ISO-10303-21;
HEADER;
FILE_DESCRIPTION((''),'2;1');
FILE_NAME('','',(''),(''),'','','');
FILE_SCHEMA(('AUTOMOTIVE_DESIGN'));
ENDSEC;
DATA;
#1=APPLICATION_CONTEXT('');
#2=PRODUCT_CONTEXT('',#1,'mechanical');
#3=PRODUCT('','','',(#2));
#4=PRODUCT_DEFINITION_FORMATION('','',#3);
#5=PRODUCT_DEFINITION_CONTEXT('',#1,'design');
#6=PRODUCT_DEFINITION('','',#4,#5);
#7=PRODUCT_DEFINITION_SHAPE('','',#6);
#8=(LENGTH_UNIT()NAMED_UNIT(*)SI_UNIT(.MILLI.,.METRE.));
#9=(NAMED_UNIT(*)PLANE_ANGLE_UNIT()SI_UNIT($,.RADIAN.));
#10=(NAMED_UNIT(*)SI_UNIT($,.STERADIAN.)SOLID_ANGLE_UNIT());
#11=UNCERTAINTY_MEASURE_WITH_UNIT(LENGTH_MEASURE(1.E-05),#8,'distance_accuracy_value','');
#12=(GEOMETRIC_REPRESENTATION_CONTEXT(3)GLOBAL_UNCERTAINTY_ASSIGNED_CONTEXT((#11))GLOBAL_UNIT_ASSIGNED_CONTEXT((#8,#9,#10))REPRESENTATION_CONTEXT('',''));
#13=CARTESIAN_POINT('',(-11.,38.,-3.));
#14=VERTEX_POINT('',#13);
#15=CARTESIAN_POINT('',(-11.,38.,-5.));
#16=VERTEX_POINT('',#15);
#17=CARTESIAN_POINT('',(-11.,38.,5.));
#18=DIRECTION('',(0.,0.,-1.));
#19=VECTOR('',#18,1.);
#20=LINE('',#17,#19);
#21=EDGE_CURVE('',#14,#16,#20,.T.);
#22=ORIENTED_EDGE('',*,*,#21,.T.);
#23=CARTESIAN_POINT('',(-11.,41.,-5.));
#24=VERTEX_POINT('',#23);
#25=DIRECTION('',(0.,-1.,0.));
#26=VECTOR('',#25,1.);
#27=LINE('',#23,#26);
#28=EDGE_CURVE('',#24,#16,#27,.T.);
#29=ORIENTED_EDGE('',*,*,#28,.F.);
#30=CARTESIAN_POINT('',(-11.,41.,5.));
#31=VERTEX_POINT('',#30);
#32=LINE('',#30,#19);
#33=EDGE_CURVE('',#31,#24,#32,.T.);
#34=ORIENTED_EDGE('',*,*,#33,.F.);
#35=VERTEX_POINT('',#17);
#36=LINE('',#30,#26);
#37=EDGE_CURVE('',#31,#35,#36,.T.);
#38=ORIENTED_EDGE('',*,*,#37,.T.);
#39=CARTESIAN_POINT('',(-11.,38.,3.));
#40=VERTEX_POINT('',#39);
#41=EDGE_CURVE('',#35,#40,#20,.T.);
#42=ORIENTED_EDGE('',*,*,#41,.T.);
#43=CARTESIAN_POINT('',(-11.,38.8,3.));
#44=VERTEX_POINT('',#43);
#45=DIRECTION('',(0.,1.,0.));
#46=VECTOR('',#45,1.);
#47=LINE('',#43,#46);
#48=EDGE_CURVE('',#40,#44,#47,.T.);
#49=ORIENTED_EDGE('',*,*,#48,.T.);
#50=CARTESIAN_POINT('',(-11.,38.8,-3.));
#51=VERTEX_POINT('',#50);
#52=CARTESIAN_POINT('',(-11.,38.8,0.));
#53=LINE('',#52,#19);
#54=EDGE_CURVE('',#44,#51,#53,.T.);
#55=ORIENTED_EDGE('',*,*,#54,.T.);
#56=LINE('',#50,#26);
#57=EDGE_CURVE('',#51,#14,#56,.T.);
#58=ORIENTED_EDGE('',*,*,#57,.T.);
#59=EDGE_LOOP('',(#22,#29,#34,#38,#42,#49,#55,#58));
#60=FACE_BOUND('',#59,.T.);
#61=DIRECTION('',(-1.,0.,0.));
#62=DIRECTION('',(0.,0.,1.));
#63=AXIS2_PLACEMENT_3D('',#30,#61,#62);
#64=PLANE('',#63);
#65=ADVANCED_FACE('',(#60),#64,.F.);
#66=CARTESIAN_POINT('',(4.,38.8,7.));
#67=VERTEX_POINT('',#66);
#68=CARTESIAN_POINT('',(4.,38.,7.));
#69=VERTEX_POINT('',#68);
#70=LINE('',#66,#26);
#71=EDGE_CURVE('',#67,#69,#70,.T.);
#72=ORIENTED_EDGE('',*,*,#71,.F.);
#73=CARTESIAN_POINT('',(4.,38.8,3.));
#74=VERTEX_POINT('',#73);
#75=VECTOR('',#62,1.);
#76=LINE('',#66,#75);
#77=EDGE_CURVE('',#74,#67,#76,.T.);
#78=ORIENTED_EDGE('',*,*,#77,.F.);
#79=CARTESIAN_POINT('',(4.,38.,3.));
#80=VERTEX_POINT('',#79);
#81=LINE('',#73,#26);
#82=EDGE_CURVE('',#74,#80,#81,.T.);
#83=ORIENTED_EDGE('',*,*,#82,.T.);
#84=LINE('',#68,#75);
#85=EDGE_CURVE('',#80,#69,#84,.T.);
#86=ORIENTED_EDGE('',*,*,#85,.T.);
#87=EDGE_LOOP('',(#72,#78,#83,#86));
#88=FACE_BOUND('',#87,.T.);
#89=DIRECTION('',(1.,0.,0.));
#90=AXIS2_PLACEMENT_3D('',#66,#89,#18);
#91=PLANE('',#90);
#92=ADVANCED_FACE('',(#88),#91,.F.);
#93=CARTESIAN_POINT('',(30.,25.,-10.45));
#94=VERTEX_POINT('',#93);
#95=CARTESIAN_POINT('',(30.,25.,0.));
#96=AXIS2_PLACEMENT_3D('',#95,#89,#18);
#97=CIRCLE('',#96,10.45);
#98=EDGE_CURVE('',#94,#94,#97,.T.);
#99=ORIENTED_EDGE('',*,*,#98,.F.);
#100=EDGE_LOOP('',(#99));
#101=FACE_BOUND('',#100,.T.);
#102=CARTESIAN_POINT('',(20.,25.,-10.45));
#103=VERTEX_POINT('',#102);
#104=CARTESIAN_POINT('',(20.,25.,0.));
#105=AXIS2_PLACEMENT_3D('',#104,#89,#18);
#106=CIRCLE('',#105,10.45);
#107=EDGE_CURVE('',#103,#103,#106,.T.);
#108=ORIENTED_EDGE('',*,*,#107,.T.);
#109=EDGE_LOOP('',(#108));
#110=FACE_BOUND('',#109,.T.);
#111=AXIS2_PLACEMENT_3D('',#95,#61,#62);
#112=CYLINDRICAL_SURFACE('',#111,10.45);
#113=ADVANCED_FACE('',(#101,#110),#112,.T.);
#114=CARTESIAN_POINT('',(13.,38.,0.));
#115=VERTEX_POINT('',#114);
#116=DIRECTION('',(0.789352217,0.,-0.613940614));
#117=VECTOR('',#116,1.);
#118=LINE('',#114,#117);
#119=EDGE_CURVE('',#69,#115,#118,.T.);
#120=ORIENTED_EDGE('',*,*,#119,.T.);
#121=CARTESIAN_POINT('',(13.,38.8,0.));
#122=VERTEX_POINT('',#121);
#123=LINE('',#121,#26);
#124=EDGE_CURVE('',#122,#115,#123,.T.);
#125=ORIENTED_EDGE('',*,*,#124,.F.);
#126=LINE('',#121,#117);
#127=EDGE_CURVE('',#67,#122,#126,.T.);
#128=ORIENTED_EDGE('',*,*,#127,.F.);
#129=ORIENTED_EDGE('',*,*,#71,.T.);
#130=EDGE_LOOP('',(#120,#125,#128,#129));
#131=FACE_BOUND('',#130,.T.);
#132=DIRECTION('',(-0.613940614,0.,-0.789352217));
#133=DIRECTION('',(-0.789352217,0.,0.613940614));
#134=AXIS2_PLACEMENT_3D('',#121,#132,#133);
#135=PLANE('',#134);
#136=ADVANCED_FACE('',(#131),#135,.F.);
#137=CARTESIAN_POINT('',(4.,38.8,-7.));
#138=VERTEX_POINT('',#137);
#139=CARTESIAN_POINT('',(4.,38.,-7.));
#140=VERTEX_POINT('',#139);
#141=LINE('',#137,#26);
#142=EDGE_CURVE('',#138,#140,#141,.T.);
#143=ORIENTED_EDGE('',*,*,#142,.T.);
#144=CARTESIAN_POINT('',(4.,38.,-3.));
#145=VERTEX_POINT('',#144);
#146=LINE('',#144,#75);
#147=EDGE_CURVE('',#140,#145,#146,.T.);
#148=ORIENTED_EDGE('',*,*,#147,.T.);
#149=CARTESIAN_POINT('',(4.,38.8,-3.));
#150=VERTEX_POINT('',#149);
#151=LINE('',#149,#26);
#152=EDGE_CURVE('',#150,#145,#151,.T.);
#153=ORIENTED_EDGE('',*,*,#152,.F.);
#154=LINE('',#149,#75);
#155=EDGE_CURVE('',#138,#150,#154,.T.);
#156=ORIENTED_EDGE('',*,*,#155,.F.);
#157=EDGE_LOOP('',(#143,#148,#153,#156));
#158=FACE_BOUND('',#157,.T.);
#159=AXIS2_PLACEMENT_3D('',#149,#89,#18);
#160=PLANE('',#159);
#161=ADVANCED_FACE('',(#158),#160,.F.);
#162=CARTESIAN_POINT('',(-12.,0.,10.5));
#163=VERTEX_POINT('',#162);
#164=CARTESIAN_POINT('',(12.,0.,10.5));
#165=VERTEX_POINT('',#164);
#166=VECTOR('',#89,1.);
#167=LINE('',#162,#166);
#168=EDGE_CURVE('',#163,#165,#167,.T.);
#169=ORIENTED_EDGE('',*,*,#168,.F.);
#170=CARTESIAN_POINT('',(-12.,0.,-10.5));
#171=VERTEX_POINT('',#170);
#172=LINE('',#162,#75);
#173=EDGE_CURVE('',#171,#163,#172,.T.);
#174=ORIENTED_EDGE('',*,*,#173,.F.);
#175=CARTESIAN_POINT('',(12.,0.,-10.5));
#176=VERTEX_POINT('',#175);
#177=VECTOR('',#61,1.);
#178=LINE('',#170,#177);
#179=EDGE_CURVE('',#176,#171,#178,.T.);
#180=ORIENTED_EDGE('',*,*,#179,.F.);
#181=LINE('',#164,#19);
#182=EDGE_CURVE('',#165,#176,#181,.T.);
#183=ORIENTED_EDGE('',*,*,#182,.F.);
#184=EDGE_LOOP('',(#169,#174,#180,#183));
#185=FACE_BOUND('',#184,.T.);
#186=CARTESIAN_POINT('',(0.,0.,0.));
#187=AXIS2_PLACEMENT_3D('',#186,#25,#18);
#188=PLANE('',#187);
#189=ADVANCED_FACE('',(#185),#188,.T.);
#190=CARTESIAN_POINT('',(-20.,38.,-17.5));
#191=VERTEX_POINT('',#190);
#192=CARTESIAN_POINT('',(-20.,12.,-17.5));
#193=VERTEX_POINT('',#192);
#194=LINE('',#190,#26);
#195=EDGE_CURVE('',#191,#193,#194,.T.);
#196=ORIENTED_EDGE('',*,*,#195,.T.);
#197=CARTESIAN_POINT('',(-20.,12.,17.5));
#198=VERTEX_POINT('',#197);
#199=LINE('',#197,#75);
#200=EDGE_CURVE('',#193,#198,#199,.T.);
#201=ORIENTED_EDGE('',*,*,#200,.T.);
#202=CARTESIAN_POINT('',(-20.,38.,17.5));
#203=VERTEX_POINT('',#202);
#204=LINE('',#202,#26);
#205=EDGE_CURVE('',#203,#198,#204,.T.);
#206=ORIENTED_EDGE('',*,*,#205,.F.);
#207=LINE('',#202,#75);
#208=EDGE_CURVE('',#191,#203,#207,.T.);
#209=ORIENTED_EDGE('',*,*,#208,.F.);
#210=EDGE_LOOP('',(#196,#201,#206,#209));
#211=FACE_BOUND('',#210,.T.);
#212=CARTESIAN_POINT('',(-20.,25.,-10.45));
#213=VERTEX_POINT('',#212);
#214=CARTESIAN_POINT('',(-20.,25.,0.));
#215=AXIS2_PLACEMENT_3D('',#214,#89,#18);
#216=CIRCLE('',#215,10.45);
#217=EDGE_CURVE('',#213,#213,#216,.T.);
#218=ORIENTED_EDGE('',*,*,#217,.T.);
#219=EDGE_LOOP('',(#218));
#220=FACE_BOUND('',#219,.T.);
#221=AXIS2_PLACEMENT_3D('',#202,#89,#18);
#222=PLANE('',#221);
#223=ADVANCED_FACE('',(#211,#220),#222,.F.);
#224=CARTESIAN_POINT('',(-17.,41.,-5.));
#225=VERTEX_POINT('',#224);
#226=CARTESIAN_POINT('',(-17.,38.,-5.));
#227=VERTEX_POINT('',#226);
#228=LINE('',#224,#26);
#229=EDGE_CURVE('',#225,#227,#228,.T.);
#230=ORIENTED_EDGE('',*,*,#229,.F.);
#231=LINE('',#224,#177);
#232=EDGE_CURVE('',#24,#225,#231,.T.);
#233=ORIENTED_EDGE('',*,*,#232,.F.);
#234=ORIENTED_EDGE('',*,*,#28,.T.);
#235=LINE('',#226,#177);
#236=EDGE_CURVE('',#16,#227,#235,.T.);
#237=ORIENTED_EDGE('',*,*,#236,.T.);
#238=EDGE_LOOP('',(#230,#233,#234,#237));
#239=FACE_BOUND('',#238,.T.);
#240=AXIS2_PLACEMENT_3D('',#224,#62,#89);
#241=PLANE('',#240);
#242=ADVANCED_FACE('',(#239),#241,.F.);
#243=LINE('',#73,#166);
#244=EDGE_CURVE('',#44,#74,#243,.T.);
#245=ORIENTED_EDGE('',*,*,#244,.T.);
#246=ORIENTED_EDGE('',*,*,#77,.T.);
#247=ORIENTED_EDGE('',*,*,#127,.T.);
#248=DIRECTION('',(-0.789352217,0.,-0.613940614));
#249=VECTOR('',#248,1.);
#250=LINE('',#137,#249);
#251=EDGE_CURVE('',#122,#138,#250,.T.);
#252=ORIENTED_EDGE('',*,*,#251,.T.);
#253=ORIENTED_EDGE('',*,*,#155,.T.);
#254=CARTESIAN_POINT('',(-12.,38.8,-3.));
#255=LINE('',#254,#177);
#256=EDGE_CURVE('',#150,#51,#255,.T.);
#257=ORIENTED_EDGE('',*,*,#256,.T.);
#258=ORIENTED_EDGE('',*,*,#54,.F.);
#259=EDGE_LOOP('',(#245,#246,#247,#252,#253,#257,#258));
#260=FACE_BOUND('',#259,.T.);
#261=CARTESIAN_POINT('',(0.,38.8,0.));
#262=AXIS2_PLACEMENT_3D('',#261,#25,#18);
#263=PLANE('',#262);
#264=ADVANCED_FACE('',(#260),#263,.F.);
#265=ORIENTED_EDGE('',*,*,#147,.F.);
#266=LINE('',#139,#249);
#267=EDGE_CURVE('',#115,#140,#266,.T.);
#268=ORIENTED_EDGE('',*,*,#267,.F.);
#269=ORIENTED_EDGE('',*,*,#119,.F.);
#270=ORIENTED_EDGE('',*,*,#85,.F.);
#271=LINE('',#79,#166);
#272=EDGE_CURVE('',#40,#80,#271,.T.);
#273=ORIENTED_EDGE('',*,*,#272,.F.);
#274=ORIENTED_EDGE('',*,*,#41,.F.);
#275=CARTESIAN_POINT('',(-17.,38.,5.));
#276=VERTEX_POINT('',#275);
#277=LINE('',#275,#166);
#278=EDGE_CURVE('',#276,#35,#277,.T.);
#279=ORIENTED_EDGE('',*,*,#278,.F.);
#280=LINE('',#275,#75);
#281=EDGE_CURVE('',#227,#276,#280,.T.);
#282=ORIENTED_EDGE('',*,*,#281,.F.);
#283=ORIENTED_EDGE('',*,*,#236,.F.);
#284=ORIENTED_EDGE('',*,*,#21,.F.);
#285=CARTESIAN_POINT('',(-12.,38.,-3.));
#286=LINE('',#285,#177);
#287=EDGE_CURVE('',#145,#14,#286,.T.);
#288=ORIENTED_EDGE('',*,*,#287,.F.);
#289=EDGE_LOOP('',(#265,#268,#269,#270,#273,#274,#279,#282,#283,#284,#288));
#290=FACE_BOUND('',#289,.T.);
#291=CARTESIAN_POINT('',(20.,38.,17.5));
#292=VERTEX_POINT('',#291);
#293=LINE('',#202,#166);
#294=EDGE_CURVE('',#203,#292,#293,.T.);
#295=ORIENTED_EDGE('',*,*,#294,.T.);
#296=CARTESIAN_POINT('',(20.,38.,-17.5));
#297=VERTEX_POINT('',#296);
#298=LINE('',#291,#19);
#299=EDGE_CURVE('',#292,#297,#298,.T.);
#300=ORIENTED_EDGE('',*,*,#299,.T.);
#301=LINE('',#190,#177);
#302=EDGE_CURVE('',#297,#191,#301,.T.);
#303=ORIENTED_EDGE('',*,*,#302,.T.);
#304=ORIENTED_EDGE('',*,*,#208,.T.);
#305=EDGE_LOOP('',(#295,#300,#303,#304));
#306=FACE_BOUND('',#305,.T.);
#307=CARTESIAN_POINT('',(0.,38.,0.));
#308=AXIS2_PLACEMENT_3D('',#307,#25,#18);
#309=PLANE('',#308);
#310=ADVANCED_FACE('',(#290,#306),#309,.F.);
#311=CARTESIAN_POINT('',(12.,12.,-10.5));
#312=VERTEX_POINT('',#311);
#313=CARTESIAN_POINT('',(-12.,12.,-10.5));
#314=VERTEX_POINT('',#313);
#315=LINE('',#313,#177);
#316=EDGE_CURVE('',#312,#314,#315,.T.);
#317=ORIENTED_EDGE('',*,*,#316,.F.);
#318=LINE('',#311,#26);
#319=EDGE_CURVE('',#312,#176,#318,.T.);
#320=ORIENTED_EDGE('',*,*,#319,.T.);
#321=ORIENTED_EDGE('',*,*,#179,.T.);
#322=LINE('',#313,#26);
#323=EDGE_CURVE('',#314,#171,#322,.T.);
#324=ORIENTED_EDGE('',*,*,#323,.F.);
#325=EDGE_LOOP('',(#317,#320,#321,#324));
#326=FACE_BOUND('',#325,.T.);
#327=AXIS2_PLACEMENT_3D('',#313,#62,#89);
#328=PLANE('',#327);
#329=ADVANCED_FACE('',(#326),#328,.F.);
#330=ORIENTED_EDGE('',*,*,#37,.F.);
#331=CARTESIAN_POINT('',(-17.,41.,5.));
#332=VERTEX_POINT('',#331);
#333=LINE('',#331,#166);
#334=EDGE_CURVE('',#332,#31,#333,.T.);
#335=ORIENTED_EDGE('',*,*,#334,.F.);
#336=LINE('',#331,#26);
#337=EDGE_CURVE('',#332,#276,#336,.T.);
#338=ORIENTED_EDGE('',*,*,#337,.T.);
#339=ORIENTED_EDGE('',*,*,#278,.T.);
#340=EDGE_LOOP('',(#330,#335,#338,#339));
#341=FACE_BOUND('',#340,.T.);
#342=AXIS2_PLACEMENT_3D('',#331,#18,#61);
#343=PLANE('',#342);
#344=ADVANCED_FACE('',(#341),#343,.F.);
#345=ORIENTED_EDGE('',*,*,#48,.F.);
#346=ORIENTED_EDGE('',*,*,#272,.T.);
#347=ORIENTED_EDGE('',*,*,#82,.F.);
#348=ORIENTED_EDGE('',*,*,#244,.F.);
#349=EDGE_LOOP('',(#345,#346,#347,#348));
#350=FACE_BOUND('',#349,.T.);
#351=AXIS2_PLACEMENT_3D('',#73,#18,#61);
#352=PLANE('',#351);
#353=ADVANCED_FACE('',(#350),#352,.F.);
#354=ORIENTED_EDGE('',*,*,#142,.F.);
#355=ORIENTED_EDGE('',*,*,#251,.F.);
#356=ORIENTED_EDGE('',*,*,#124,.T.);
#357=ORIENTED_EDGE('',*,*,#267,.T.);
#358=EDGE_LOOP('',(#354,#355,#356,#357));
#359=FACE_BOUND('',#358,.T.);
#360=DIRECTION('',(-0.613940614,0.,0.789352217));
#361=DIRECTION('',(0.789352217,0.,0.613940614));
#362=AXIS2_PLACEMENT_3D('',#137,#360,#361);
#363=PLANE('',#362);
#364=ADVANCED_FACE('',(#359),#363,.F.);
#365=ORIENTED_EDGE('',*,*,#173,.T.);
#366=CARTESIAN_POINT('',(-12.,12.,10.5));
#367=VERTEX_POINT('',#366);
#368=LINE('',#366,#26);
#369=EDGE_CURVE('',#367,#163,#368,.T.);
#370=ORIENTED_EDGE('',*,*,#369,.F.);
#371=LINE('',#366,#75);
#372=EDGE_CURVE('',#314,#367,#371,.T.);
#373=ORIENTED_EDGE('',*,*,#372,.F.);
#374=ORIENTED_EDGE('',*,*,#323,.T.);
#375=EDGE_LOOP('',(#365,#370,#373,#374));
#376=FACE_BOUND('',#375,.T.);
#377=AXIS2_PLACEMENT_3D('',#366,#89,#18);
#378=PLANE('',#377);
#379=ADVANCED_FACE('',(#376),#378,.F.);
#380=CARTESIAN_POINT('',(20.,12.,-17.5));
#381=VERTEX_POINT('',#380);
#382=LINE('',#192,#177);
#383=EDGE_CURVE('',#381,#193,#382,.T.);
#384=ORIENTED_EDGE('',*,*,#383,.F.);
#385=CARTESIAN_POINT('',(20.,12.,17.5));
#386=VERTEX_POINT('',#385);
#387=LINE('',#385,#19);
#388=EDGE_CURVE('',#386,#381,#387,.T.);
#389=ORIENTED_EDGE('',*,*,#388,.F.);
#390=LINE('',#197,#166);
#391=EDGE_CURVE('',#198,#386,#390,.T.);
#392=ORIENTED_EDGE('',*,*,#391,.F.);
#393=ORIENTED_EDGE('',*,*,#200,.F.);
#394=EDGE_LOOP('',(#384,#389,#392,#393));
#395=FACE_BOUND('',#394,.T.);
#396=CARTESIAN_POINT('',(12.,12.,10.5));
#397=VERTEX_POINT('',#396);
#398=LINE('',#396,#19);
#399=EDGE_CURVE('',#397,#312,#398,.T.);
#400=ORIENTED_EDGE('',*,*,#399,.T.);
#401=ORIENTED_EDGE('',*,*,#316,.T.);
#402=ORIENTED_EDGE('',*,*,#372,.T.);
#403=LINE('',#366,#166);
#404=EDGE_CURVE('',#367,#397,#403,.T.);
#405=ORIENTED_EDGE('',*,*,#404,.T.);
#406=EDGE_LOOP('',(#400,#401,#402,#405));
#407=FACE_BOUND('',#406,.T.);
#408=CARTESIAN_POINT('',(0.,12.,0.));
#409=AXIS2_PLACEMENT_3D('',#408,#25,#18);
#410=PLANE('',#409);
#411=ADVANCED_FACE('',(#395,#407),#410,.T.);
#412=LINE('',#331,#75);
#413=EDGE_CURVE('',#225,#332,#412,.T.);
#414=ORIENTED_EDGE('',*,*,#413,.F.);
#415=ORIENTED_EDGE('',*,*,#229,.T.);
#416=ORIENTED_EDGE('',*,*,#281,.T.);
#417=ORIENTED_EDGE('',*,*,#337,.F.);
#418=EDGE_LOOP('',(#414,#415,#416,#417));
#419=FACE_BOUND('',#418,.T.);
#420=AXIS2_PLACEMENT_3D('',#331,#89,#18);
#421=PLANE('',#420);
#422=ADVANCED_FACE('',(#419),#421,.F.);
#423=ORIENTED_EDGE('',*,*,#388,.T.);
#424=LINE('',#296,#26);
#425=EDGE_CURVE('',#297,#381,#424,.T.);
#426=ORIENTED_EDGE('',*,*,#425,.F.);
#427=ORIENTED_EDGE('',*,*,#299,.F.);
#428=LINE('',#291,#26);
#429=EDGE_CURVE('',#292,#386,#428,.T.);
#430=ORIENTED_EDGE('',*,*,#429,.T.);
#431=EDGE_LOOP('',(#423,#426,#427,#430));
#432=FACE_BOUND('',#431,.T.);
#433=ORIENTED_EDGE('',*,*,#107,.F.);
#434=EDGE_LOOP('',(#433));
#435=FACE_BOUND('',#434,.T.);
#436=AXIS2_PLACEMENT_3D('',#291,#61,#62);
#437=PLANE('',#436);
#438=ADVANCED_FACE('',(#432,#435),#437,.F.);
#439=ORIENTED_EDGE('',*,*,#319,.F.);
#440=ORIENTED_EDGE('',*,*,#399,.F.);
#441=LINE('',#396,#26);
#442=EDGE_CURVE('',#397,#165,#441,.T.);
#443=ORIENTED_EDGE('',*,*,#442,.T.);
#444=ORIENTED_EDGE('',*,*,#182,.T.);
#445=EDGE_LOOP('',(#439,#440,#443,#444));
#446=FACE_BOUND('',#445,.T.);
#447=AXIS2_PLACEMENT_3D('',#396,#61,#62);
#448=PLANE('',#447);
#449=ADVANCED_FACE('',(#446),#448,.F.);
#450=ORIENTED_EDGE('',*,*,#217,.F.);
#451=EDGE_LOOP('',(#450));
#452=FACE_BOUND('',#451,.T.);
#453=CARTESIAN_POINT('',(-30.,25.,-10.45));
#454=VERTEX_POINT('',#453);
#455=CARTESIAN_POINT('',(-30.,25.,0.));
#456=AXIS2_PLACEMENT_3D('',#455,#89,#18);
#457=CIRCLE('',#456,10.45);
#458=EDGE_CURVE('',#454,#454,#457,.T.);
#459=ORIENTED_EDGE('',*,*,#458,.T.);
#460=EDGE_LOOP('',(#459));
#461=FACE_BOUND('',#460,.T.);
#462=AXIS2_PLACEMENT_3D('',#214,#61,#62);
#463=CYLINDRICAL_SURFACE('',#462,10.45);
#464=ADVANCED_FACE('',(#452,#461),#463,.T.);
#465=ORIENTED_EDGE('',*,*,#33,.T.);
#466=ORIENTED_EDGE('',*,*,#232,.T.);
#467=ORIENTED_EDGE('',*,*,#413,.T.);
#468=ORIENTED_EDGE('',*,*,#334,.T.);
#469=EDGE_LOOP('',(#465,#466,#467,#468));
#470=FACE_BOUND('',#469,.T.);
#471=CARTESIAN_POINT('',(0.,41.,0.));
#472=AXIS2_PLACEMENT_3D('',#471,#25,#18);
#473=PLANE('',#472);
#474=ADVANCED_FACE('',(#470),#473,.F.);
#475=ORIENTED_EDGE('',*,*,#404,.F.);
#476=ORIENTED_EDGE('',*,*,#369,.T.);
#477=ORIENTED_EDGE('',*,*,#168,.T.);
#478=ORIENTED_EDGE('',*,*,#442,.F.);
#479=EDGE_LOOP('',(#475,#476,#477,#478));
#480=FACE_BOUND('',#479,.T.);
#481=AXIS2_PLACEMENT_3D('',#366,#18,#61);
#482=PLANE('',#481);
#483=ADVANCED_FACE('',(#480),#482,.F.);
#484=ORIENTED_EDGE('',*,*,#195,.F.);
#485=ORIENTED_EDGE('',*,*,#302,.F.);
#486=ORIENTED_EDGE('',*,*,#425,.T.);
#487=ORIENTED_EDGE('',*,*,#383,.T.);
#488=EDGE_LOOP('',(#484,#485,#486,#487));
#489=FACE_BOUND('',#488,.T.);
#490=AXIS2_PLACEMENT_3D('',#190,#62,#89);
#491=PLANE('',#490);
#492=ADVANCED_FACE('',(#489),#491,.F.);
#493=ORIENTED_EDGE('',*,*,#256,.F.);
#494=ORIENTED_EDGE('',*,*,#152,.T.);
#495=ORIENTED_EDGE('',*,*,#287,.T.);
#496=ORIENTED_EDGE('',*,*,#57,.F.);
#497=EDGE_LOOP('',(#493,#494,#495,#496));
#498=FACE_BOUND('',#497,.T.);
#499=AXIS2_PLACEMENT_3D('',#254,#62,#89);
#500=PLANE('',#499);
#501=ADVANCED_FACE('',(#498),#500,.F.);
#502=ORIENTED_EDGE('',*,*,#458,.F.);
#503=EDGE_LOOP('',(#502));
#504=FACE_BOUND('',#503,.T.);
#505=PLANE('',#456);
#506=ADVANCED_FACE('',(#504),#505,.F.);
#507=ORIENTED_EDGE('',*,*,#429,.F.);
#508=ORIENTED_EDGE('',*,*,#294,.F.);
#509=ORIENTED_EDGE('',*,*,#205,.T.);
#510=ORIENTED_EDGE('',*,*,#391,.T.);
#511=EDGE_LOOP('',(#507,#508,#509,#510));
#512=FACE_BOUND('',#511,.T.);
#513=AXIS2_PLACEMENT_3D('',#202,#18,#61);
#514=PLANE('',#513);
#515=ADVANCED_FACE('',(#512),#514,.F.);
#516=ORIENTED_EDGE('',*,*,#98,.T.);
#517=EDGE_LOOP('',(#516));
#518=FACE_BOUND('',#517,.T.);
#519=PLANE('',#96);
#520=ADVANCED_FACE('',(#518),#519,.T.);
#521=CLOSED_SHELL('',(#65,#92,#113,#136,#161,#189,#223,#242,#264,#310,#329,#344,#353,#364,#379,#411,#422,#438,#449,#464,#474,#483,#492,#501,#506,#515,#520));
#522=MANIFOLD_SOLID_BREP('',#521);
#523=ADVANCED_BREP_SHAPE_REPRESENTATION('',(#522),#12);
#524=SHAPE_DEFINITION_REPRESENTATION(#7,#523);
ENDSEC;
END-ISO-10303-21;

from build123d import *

# Parameters (mm, degrees)
BODY_START         = 12
SKETCH1_W          = 40
SKETCH1_H          = 35
BODY_DEPTH         = 26
PORT_IN_G12_START  = -30
SKETCH2_R          = 10.45
PORT_IN_G12_DEPTH  = 10
PORT_OUT_G12_START = 20
SKETCH3_R          = 10.45
PORT_OUT_G12_DEPTH = 10
SKETCH4_W          = 24
SKETCH4_H          = 21
FEET_DEPTH         = 12
FLOW_ARROW_START   = 38
FLOW_ARROW_DEPTH   = 0.8
WIRE_EXIT_START    = 38
SKETCH6_W          = 6
SKETCH6_H          = 10
WIRE_EXIT_DEPTH    = 3


with BuildPart() as part:
    # Sketch1 → Body (new body)
    with BuildSketch(Plane(origin=(0, 0, 0), x_dir=(1, 0, 0), z_dir=(0, 1, 0)).offset(BODY_START)):
        Rectangle(SKETCH1_W, SKETCH1_H)
    extrude(amount=BODY_DEPTH)

    # Sketch2 → Port_In_G12 (add)
    with BuildSketch(Plane(origin=(0, 0, 0), x_dir=(0, 0, -1), z_dir=(1, 0, 0)).offset(PORT_IN_G12_START)):
        with Locations((0, 25)):
            Circle(SKETCH2_R)
    extrude(amount=PORT_IN_G12_DEPTH)

    # Sketch3 → Port_Out_G12 (add)
    with BuildSketch(Plane(origin=(0, 0, 0), x_dir=(0, 0, -1), z_dir=(1, 0, 0)).offset(PORT_OUT_G12_START)):
        with Locations((0, 25)):
            Circle(SKETCH3_R)
    extrude(amount=PORT_OUT_G12_DEPTH)

    # Sketch4 → Feet (add)
    with BuildSketch(Plane(origin=(0, 0, 0), x_dir=(1, 0, 0), z_dir=(0, 1, 0))):
        Rectangle(SKETCH4_W, SKETCH4_H)
    extrude(amount=FEET_DEPTH)

    # Sketch5 → Flow_Arrow (add)
    with BuildSketch(Plane(origin=(0, 0, 0), x_dir=(1, 0, 0), z_dir=(0, 1, 0)).offset(FLOW_ARROW_START)):
        Polygon((-12, 3), (4, 3), (4, 7), (13, 0), (4, -7), (4, -3), (-12, -3), align=None)
    extrude(amount=FLOW_ARROW_DEPTH)

    # Sketch6 → Wire_Exit (add)
    with BuildSketch(Plane(origin=(0, 0, 0), x_dir=(1, 0, 0), z_dir=(0, 1, 0)).offset(WIRE_EXIT_START)):
        with Locations((-14, 0)):
            Rectangle(SKETCH6_W, SKETCH6_H)
    extrude(amount=WIRE_EXIT_DEPTH)


solid = part.part
